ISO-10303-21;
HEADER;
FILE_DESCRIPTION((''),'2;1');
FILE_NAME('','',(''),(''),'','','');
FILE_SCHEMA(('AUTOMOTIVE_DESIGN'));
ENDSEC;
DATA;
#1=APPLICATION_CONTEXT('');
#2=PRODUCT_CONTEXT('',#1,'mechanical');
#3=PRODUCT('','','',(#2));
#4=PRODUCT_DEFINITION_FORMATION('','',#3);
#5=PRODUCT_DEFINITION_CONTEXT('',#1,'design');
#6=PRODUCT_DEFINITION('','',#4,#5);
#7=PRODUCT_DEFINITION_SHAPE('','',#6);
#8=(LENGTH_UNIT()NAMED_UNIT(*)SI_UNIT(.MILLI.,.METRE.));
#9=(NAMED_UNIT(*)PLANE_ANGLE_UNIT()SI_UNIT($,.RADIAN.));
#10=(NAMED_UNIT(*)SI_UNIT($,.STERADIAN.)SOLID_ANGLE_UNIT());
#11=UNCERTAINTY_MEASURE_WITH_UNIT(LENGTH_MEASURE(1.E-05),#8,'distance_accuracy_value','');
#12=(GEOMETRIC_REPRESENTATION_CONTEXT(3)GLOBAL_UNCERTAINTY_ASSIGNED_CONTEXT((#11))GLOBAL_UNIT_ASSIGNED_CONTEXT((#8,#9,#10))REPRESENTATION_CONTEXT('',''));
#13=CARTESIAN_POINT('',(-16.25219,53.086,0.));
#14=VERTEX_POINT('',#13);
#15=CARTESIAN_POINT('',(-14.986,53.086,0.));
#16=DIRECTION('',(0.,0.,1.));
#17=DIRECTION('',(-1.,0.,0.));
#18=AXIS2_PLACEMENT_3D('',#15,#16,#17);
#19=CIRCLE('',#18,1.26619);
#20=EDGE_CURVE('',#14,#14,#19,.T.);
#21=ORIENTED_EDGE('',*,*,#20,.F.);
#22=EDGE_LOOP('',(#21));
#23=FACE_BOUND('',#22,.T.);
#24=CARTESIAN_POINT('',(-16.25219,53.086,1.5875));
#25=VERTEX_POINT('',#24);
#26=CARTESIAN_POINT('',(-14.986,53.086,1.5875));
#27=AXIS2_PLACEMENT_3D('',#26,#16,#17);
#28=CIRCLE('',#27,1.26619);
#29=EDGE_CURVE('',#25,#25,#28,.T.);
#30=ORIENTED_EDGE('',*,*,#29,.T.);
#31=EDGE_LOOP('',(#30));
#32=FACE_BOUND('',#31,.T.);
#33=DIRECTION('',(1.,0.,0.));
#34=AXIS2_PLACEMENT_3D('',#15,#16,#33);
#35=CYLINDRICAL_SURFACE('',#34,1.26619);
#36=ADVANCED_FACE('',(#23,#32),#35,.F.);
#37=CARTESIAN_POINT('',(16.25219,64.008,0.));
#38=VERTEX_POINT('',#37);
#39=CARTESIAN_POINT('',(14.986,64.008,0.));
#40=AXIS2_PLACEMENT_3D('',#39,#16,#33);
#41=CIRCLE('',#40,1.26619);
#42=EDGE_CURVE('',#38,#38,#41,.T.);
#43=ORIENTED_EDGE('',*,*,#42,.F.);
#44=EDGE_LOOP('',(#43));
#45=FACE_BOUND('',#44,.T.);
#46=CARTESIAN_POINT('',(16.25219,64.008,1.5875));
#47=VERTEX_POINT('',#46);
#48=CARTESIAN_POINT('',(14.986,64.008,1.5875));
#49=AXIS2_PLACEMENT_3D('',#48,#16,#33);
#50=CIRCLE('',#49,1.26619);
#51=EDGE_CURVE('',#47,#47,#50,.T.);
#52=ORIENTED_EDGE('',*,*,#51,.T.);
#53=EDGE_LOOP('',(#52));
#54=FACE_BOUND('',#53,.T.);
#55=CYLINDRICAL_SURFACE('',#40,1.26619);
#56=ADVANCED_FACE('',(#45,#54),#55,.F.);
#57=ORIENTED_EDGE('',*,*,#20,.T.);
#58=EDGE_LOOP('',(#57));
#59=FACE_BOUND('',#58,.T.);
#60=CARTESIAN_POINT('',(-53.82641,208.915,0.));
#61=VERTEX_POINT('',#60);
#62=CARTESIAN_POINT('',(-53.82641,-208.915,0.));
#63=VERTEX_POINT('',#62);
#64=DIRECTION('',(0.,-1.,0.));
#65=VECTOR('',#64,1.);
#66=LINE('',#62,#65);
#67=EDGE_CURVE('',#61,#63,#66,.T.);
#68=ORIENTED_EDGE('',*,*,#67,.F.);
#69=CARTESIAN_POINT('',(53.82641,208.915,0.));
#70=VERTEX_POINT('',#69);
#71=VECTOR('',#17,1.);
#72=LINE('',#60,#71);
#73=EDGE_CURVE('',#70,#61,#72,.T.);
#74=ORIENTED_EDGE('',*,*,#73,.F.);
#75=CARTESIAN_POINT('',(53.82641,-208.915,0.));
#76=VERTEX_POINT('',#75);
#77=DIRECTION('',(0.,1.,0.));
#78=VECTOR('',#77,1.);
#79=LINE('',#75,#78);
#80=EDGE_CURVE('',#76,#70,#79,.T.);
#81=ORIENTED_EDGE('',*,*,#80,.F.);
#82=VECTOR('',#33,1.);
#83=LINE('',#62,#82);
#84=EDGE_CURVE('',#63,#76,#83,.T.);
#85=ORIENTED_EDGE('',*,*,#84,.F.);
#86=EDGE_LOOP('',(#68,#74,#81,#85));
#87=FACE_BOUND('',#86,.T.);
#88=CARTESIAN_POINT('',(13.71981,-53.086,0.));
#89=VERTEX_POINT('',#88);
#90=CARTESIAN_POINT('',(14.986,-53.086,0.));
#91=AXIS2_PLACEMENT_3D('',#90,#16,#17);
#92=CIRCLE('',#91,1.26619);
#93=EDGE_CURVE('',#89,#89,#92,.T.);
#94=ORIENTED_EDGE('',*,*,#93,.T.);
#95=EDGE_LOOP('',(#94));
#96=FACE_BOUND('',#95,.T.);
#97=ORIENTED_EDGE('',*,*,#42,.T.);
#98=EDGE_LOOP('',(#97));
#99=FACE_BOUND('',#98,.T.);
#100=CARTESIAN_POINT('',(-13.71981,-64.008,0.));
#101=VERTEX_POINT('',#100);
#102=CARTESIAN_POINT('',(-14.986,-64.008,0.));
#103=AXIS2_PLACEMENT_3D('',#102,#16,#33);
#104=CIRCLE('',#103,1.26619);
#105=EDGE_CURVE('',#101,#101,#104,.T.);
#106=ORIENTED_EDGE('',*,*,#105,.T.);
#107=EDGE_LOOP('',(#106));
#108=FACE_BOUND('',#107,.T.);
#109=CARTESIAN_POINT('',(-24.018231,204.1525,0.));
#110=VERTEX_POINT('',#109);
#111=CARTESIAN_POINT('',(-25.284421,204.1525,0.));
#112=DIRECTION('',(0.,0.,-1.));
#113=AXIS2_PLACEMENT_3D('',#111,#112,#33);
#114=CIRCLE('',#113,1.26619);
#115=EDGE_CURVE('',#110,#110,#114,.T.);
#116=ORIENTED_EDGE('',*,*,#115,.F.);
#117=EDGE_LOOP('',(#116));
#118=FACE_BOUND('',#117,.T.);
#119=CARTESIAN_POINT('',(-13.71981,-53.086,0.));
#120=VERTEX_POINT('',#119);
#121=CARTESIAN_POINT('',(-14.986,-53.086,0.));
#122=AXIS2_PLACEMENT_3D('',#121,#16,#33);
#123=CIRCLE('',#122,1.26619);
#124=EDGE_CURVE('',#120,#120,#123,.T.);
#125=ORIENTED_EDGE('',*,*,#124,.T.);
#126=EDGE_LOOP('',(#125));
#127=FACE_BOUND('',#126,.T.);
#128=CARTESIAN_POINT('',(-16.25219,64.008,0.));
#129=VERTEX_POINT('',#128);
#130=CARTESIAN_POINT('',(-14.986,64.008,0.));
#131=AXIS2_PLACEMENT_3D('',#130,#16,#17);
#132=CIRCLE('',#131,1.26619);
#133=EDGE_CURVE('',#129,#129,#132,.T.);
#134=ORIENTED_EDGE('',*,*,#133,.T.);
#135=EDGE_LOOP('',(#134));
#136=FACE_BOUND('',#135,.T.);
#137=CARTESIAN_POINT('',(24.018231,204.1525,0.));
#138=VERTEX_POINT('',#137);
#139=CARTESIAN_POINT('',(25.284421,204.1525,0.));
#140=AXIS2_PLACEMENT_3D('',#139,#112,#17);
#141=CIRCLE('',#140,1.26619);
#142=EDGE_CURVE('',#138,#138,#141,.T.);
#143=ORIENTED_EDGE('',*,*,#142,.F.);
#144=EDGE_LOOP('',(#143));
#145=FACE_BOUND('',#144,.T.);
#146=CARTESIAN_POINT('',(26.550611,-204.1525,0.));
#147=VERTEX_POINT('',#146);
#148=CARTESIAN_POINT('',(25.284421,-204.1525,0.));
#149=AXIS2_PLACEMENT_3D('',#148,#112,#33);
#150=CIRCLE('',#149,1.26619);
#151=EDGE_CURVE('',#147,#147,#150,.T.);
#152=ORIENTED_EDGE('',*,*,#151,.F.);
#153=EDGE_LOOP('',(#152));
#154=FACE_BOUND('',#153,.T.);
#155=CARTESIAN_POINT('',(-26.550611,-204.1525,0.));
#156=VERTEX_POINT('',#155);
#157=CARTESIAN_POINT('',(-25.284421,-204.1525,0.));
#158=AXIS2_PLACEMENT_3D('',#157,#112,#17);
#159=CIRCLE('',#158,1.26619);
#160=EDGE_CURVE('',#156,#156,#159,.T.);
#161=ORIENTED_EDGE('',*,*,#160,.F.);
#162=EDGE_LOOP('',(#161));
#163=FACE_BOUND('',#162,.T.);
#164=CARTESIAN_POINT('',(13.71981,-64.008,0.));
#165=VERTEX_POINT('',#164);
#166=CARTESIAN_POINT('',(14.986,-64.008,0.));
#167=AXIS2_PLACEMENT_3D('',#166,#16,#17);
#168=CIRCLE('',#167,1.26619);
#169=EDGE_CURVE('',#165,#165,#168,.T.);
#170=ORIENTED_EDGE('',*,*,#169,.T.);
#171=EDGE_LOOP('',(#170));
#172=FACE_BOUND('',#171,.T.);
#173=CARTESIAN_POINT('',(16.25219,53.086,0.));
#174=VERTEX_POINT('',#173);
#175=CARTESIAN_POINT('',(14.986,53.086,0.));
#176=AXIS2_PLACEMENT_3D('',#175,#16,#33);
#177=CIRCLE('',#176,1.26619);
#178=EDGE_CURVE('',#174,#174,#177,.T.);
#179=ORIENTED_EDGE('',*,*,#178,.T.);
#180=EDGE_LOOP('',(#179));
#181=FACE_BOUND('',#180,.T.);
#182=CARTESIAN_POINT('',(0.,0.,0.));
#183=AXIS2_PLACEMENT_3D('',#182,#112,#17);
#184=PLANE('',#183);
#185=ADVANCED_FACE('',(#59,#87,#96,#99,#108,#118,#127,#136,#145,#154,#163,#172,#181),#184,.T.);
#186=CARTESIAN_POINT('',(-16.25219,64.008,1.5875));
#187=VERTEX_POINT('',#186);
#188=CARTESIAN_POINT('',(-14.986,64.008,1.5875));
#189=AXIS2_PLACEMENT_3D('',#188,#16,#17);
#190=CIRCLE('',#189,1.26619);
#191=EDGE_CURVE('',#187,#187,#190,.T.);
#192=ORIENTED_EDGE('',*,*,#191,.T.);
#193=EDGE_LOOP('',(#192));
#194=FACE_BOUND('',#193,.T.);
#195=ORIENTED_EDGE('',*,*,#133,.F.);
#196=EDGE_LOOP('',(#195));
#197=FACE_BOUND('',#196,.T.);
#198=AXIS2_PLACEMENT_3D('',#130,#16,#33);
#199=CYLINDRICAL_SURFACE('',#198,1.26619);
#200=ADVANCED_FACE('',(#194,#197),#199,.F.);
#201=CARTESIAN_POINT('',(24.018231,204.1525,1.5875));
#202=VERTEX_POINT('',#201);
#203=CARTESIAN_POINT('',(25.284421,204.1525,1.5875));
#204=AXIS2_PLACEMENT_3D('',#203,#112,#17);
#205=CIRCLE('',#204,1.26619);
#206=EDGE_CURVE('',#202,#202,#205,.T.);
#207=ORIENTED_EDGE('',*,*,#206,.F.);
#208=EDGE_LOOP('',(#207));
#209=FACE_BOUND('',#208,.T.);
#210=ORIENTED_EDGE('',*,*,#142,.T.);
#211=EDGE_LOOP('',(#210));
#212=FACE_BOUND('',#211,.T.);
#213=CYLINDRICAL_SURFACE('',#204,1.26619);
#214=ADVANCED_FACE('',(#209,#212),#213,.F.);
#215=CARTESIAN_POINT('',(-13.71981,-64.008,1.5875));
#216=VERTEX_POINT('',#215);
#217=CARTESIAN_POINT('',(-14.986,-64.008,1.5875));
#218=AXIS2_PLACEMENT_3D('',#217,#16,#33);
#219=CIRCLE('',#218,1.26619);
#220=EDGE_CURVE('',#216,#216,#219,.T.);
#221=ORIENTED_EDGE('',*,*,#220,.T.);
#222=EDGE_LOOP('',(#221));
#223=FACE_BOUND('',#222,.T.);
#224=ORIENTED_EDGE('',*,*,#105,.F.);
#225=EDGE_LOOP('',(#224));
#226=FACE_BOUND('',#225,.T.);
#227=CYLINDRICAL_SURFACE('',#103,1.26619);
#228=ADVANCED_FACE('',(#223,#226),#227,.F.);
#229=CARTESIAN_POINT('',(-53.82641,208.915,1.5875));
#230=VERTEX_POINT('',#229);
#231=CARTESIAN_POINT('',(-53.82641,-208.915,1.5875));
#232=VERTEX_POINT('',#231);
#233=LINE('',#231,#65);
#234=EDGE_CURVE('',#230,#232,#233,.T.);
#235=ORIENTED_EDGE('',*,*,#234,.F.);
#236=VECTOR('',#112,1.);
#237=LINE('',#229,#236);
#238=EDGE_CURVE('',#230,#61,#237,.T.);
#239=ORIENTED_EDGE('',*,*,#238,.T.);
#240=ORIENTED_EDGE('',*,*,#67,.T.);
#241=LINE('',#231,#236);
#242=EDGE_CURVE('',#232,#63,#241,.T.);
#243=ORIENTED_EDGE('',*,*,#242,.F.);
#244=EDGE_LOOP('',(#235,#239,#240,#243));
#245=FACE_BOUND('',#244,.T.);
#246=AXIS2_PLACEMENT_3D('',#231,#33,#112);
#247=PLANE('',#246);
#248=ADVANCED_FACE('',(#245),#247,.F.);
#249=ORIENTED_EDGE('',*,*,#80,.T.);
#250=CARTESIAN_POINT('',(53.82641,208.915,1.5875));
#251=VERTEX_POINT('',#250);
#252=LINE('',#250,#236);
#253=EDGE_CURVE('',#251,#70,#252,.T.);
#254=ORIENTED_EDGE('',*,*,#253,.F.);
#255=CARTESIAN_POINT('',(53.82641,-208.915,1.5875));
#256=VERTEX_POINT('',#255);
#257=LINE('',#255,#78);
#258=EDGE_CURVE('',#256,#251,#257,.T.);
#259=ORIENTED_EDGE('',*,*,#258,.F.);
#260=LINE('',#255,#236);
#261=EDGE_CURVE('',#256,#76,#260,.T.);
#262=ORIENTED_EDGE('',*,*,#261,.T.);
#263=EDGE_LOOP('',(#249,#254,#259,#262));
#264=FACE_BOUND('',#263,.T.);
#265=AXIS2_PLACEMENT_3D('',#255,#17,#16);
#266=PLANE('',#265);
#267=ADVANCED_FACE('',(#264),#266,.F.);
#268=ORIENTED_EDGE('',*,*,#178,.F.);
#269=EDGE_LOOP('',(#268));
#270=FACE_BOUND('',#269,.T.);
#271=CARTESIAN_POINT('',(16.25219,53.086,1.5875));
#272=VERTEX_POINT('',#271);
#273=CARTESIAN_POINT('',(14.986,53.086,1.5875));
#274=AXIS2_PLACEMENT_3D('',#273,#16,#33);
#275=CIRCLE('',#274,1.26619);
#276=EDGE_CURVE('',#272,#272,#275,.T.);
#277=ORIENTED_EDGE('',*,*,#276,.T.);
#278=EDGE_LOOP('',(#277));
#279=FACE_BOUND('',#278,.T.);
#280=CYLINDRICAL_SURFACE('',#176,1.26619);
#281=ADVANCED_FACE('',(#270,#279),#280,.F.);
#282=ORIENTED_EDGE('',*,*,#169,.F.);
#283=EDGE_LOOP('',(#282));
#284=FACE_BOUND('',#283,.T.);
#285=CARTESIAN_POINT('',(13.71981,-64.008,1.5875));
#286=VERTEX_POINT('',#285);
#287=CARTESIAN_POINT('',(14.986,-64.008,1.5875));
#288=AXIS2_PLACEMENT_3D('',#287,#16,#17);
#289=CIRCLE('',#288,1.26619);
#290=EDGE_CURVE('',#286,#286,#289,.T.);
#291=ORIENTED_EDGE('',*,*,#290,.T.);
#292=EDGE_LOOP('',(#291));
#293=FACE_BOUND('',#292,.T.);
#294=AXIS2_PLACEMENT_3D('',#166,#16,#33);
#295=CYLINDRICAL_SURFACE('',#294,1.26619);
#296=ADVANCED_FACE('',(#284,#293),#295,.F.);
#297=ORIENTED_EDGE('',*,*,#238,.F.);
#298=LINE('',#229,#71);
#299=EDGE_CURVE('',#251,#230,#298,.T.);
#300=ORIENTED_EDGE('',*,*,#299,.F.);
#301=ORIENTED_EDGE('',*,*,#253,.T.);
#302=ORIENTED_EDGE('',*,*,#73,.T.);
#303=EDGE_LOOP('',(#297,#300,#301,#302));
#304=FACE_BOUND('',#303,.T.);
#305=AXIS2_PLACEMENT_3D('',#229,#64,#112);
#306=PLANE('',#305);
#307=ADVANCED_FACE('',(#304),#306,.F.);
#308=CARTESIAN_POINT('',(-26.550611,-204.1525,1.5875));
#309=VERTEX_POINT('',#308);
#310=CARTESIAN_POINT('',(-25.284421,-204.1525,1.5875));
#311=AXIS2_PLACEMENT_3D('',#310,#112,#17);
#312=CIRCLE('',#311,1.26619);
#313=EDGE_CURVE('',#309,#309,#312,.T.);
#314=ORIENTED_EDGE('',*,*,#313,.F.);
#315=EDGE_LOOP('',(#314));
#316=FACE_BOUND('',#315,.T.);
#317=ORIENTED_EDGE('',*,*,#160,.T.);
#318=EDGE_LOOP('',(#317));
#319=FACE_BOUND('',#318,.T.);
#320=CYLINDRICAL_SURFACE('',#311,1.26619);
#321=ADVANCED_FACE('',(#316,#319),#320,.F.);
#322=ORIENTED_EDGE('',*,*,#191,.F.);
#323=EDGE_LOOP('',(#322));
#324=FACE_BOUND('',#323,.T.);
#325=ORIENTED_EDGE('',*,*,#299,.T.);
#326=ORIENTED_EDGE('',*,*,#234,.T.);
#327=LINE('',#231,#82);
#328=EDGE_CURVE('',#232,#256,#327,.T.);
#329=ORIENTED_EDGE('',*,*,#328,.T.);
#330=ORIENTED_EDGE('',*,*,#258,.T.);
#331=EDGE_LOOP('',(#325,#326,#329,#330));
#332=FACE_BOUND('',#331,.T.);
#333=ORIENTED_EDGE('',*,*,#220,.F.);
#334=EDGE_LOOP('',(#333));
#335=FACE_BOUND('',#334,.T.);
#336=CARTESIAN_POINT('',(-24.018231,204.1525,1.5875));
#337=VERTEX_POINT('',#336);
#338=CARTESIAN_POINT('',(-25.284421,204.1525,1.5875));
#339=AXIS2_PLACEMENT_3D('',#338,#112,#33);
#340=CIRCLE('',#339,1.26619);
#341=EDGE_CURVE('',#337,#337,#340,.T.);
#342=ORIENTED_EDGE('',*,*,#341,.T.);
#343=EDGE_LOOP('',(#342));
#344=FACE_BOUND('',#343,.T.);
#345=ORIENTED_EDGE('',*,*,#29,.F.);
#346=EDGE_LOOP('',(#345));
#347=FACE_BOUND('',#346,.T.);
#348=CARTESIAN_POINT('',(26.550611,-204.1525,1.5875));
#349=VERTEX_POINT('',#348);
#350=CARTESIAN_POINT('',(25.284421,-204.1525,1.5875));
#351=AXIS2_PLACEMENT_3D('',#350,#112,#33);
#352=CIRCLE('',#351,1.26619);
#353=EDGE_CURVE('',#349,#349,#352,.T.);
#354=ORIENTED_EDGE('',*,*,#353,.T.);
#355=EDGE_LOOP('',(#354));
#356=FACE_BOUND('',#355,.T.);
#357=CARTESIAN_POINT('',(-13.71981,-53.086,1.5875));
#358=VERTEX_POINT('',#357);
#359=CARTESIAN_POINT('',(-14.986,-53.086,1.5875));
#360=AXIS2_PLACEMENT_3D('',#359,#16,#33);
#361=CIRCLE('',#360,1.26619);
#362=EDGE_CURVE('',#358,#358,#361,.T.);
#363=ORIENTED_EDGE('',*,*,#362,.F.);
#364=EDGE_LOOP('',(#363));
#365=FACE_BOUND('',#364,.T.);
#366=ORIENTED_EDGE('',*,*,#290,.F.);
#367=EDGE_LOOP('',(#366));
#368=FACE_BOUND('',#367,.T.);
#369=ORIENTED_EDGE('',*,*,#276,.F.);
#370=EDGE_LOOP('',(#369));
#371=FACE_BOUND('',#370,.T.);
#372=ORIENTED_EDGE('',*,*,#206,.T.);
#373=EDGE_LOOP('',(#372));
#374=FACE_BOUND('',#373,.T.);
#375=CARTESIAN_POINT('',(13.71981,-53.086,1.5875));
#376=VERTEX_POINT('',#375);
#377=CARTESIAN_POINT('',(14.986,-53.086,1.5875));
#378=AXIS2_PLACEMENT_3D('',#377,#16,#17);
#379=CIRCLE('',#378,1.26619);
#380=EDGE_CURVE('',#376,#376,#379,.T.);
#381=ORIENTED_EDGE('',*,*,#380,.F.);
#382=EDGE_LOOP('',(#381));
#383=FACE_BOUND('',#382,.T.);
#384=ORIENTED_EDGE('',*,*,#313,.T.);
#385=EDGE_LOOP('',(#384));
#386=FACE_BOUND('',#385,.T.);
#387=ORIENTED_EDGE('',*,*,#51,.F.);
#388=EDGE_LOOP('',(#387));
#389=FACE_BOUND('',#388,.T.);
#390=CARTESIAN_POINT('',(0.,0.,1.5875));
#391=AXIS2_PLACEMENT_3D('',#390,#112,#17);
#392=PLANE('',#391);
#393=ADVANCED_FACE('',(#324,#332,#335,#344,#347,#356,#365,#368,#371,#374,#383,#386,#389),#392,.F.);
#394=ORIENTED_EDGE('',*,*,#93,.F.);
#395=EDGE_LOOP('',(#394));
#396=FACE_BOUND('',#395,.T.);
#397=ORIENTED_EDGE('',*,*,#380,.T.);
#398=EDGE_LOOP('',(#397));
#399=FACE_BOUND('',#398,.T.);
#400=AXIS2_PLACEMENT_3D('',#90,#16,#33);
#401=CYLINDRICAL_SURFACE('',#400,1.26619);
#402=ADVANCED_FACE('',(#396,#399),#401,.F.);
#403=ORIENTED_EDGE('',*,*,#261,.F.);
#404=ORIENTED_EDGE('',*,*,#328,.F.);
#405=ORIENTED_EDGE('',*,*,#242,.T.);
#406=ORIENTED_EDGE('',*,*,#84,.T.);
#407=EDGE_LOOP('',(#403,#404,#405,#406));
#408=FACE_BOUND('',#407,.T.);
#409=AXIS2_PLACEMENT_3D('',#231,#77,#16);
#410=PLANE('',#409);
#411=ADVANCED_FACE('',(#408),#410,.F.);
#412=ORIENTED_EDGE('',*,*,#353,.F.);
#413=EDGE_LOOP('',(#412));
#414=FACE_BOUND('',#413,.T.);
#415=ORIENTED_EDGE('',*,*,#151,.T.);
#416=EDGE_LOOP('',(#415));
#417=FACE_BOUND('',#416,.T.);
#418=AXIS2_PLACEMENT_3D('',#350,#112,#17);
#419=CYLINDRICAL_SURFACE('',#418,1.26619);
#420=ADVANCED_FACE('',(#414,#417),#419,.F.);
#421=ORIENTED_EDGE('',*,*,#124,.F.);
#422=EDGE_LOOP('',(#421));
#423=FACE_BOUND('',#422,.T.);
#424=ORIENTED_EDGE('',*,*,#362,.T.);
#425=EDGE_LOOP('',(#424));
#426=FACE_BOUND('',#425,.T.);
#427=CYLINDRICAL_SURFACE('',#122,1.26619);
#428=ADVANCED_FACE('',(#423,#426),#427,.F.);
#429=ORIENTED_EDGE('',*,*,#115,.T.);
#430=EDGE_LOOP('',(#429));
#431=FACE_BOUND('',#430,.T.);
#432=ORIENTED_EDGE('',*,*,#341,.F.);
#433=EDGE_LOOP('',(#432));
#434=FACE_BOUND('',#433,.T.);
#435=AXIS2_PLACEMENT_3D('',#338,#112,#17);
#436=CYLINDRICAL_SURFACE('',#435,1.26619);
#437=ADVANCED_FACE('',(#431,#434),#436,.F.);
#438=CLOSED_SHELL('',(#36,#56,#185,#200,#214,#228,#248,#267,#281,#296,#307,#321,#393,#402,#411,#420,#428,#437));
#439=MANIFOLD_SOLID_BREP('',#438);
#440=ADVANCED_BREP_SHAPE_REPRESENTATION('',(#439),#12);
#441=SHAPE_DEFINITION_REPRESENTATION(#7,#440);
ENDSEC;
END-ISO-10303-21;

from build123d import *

# Parameters (mm, degrees)
SKETCH1_W           = 107.65282
SKETCH1_H           = 417.83
BOSS_EXTRUDE1_DEPTH = 1.5875
SKETCH2_R           = 1.26619
CUT_EXTRUDE1_DEPTH  = 1.5875
SKETCH4_R           = 1.26619
CUT_EXTRUDE2_DEPTH  = 2.5875


with BuildPart() as part:
    # Sketch1 → Boss-Extrude1 (new body)
    with BuildSketch(Plane.XY):
        Rectangle(SKETCH1_W, SKETCH1_H)
    extrude(amount=BOSS_EXTRUDE1_DEPTH)

    # Sketch2 → Cut-Extrude1 (cut)
    with BuildSketch(Plane(origin=(0, 0, 0), x_dir=(-1, 0, 0), z_dir=(0, 0, -1))):
        with Locations((25.284421279, -204.1525)):
            Circle(SKETCH2_R)
        with Locations((-25.284421279, -204.1525)):
            Circle(SKETCH2_R)
        with Locations((25.284421279, 204.1525)):
            Circle(SKETCH2_R)
        with Locations((-25.284421279, 204.1525)):
            Circle(SKETCH2_R)
    extrude(amount=-CUT_EXTRUDE1_DEPTH, mode=Mode.SUBTRACT)

    # Sketch4 → Cut-Extrude2 (cut, through all)
    with BuildSketch(Plane.XY.offset(1.5875)):
        with Locations((14.986, 53.086)):
            Circle(SKETCH4_R)
        with Locations((-14.986, 53.086)):
            Circle(SKETCH4_R)
        with Locations((14.986, -53.086)):
            Circle(SKETCH4_R)
        with Locations((-14.986, -53.086)):
            Circle(SKETCH4_R)
        with Locations((14.986, 64.008)):
            Circle(SKETCH4_R)
        with Locations((-14.986, 64.008)):
            Circle(SKETCH4_R)
        with Locations((14.986, -64.008)):
            Circle(SKETCH4_R)
        with Locations((-14.986, -64.008)):
            Circle(SKETCH4_R)
    extrude(amount=-CUT_EXTRUDE2_DEPTH, mode=Mode.SUBTRACT)


solid = part.part
